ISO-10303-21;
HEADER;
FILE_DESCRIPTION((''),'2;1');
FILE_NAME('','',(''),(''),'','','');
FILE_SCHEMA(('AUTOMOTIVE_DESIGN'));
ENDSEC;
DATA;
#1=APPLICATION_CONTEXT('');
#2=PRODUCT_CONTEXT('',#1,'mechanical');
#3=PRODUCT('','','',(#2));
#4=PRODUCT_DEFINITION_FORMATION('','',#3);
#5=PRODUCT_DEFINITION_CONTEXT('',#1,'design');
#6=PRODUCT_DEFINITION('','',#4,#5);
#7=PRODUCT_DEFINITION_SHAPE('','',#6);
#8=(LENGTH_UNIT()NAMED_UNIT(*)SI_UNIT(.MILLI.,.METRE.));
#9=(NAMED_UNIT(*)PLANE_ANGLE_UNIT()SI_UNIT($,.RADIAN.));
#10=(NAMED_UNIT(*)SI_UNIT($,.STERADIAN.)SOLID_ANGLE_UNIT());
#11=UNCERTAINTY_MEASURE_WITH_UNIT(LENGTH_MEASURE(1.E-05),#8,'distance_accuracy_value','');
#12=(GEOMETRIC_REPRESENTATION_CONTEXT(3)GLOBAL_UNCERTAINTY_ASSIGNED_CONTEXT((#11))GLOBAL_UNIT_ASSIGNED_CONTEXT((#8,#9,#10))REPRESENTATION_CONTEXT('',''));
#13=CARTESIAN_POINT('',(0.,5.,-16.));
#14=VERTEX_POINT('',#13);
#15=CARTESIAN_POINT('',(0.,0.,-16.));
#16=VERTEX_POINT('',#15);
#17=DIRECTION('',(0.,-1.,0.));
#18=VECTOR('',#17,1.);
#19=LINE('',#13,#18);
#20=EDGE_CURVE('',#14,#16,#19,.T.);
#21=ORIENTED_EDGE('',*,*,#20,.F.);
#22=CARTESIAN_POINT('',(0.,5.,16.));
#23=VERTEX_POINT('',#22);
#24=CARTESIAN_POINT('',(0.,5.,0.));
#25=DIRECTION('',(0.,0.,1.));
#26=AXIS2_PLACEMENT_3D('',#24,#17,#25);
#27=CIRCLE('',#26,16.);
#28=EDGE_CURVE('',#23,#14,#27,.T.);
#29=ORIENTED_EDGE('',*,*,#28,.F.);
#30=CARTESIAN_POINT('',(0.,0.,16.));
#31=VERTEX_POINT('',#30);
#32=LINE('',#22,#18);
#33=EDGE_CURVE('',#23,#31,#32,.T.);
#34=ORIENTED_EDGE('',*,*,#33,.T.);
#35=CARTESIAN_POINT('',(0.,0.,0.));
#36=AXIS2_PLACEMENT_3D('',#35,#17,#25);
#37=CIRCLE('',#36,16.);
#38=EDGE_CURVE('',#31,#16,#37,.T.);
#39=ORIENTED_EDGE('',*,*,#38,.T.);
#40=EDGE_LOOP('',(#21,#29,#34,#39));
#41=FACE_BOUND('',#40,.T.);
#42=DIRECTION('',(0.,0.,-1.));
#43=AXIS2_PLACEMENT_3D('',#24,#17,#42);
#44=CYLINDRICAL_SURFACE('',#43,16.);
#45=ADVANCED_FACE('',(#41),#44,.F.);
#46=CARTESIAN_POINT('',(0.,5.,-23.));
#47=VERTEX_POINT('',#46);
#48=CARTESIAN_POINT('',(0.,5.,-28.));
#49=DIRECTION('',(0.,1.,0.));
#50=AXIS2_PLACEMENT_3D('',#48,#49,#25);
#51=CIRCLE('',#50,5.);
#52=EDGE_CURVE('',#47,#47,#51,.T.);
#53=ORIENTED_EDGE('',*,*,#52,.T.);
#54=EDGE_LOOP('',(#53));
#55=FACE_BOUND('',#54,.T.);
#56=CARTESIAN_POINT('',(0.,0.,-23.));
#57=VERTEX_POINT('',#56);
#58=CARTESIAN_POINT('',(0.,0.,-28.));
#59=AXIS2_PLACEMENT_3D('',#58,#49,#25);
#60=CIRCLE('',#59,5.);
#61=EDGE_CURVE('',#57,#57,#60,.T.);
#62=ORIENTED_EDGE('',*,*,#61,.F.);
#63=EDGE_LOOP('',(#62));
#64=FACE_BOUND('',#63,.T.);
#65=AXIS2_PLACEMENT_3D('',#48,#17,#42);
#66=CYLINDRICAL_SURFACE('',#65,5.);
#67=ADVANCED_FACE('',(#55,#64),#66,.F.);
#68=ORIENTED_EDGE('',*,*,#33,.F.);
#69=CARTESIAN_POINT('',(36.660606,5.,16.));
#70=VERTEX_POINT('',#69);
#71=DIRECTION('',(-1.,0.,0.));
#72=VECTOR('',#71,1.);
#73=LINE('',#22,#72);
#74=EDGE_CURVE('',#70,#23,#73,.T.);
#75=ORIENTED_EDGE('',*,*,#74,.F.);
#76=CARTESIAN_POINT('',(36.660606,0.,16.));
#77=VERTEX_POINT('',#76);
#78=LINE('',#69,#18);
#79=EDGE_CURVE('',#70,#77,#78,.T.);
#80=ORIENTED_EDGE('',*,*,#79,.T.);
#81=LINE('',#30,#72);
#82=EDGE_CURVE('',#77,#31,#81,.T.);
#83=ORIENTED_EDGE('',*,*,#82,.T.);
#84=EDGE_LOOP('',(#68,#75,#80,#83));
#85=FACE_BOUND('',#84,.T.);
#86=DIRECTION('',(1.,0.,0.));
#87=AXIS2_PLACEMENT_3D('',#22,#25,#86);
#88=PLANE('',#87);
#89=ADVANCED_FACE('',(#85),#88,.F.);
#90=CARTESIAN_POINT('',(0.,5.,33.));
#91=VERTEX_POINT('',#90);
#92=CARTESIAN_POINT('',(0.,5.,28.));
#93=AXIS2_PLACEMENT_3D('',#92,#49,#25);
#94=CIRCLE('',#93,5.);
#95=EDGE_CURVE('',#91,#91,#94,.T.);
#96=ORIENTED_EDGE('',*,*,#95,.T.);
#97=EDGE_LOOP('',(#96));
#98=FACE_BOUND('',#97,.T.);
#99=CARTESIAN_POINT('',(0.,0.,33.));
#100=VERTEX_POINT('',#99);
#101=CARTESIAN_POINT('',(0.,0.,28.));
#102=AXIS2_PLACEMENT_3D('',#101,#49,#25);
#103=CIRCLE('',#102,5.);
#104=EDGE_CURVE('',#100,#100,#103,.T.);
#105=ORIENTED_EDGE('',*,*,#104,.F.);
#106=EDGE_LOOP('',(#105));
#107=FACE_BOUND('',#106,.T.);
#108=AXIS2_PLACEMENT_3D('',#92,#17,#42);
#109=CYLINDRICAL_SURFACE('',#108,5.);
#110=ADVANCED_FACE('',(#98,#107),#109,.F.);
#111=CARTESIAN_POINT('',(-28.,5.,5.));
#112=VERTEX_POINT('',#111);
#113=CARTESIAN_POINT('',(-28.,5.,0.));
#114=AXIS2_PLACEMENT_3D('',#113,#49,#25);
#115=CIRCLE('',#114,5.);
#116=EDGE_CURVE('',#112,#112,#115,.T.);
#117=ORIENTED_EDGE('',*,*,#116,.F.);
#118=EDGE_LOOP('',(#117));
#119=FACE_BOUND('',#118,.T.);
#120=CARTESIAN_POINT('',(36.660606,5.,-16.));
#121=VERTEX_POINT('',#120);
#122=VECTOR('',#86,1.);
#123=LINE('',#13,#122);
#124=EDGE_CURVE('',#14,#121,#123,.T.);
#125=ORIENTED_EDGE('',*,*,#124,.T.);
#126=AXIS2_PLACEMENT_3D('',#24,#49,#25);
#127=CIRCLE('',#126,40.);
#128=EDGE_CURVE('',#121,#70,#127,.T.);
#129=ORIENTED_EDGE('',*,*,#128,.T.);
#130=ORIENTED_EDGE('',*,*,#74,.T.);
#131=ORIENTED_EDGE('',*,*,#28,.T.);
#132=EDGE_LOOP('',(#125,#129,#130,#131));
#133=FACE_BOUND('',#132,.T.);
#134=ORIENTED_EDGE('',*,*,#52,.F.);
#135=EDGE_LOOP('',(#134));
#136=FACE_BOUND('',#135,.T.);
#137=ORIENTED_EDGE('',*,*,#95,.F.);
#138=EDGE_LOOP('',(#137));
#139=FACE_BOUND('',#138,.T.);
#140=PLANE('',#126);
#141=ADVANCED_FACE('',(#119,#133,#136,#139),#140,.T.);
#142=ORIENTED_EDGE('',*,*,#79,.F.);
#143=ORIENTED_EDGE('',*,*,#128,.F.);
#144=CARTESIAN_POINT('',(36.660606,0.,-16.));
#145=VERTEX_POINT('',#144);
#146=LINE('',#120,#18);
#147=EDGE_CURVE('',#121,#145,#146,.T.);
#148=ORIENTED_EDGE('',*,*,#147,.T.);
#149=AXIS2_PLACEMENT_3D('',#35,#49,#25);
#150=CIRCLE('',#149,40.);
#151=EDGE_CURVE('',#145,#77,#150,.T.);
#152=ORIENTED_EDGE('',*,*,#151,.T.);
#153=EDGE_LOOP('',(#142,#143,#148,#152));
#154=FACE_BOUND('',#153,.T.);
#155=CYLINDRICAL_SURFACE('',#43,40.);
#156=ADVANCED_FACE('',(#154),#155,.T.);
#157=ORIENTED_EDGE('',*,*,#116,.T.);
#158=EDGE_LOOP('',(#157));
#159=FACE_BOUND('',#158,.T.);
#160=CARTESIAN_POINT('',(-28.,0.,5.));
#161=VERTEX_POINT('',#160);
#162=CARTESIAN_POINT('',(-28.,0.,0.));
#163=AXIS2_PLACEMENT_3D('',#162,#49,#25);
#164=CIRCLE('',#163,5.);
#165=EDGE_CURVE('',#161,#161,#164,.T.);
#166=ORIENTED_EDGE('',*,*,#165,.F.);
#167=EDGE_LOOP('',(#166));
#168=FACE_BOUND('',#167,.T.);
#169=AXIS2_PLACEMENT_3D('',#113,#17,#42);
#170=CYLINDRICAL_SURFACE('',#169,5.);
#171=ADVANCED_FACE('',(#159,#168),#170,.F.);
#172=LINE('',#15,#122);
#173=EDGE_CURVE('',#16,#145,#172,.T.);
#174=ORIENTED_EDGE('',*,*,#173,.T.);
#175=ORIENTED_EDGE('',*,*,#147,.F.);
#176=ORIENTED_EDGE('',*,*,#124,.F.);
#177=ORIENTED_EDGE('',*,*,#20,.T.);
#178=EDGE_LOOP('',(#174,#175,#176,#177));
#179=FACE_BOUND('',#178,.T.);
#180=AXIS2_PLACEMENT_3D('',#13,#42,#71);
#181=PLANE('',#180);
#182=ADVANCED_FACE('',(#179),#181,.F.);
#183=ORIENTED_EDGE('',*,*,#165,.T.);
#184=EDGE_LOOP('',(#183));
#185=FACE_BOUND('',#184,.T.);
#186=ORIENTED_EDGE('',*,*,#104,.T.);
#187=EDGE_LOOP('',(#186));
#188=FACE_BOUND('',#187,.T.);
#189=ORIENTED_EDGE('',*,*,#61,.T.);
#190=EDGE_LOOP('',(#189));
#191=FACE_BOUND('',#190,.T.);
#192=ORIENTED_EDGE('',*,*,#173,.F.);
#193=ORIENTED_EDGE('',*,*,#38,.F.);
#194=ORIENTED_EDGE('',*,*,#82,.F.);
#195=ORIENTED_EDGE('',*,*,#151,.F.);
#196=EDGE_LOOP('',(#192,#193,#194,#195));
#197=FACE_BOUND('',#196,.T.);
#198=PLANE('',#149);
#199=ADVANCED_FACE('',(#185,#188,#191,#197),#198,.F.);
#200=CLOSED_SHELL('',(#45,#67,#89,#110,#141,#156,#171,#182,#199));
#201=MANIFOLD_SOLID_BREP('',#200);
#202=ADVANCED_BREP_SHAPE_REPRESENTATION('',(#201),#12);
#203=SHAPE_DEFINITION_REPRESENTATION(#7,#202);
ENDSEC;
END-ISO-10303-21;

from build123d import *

# Parameters (mm, degrees)
SKETCH1_R           = 5
BOSS_EXTRUDE1_DEPTH = 5


with BuildPart() as part:
    # Sketch1 → Boss-Extrude1 (new body)
    with BuildSketch(Plane(origin=(0, 0, 0), x_dir=(1, 0, 0), z_dir=(0, 1, 0))):
        with BuildLine():
            Line((0, 16), (36.66060556, 16))
            ThreePointArc((36.66060556, 16), (-40, 0), (36.66060556, -16))
            Line((36.66060556, -16), (0, -16))
            ThreePointArc((0, -16), (-16, 0), (0, 16))
        make_face()
        with Locations(Location((0, 28, 0), (0, 0, 270))):
            Circle(SKETCH1_R, mode=Mode.SUBTRACT)
        with Locations(Location((0, -28, 0), (0, 0, 270))):
            Circle(SKETCH1_R, mode=Mode.SUBTRACT)
        with Locations(Location((-28, 0, 0), (0, 0, 270))):
            Circle(SKETCH1_R, mode=Mode.SUBTRACT)
    extrude(amount=BOSS_EXTRUDE1_DEPTH)


solid = part.part
